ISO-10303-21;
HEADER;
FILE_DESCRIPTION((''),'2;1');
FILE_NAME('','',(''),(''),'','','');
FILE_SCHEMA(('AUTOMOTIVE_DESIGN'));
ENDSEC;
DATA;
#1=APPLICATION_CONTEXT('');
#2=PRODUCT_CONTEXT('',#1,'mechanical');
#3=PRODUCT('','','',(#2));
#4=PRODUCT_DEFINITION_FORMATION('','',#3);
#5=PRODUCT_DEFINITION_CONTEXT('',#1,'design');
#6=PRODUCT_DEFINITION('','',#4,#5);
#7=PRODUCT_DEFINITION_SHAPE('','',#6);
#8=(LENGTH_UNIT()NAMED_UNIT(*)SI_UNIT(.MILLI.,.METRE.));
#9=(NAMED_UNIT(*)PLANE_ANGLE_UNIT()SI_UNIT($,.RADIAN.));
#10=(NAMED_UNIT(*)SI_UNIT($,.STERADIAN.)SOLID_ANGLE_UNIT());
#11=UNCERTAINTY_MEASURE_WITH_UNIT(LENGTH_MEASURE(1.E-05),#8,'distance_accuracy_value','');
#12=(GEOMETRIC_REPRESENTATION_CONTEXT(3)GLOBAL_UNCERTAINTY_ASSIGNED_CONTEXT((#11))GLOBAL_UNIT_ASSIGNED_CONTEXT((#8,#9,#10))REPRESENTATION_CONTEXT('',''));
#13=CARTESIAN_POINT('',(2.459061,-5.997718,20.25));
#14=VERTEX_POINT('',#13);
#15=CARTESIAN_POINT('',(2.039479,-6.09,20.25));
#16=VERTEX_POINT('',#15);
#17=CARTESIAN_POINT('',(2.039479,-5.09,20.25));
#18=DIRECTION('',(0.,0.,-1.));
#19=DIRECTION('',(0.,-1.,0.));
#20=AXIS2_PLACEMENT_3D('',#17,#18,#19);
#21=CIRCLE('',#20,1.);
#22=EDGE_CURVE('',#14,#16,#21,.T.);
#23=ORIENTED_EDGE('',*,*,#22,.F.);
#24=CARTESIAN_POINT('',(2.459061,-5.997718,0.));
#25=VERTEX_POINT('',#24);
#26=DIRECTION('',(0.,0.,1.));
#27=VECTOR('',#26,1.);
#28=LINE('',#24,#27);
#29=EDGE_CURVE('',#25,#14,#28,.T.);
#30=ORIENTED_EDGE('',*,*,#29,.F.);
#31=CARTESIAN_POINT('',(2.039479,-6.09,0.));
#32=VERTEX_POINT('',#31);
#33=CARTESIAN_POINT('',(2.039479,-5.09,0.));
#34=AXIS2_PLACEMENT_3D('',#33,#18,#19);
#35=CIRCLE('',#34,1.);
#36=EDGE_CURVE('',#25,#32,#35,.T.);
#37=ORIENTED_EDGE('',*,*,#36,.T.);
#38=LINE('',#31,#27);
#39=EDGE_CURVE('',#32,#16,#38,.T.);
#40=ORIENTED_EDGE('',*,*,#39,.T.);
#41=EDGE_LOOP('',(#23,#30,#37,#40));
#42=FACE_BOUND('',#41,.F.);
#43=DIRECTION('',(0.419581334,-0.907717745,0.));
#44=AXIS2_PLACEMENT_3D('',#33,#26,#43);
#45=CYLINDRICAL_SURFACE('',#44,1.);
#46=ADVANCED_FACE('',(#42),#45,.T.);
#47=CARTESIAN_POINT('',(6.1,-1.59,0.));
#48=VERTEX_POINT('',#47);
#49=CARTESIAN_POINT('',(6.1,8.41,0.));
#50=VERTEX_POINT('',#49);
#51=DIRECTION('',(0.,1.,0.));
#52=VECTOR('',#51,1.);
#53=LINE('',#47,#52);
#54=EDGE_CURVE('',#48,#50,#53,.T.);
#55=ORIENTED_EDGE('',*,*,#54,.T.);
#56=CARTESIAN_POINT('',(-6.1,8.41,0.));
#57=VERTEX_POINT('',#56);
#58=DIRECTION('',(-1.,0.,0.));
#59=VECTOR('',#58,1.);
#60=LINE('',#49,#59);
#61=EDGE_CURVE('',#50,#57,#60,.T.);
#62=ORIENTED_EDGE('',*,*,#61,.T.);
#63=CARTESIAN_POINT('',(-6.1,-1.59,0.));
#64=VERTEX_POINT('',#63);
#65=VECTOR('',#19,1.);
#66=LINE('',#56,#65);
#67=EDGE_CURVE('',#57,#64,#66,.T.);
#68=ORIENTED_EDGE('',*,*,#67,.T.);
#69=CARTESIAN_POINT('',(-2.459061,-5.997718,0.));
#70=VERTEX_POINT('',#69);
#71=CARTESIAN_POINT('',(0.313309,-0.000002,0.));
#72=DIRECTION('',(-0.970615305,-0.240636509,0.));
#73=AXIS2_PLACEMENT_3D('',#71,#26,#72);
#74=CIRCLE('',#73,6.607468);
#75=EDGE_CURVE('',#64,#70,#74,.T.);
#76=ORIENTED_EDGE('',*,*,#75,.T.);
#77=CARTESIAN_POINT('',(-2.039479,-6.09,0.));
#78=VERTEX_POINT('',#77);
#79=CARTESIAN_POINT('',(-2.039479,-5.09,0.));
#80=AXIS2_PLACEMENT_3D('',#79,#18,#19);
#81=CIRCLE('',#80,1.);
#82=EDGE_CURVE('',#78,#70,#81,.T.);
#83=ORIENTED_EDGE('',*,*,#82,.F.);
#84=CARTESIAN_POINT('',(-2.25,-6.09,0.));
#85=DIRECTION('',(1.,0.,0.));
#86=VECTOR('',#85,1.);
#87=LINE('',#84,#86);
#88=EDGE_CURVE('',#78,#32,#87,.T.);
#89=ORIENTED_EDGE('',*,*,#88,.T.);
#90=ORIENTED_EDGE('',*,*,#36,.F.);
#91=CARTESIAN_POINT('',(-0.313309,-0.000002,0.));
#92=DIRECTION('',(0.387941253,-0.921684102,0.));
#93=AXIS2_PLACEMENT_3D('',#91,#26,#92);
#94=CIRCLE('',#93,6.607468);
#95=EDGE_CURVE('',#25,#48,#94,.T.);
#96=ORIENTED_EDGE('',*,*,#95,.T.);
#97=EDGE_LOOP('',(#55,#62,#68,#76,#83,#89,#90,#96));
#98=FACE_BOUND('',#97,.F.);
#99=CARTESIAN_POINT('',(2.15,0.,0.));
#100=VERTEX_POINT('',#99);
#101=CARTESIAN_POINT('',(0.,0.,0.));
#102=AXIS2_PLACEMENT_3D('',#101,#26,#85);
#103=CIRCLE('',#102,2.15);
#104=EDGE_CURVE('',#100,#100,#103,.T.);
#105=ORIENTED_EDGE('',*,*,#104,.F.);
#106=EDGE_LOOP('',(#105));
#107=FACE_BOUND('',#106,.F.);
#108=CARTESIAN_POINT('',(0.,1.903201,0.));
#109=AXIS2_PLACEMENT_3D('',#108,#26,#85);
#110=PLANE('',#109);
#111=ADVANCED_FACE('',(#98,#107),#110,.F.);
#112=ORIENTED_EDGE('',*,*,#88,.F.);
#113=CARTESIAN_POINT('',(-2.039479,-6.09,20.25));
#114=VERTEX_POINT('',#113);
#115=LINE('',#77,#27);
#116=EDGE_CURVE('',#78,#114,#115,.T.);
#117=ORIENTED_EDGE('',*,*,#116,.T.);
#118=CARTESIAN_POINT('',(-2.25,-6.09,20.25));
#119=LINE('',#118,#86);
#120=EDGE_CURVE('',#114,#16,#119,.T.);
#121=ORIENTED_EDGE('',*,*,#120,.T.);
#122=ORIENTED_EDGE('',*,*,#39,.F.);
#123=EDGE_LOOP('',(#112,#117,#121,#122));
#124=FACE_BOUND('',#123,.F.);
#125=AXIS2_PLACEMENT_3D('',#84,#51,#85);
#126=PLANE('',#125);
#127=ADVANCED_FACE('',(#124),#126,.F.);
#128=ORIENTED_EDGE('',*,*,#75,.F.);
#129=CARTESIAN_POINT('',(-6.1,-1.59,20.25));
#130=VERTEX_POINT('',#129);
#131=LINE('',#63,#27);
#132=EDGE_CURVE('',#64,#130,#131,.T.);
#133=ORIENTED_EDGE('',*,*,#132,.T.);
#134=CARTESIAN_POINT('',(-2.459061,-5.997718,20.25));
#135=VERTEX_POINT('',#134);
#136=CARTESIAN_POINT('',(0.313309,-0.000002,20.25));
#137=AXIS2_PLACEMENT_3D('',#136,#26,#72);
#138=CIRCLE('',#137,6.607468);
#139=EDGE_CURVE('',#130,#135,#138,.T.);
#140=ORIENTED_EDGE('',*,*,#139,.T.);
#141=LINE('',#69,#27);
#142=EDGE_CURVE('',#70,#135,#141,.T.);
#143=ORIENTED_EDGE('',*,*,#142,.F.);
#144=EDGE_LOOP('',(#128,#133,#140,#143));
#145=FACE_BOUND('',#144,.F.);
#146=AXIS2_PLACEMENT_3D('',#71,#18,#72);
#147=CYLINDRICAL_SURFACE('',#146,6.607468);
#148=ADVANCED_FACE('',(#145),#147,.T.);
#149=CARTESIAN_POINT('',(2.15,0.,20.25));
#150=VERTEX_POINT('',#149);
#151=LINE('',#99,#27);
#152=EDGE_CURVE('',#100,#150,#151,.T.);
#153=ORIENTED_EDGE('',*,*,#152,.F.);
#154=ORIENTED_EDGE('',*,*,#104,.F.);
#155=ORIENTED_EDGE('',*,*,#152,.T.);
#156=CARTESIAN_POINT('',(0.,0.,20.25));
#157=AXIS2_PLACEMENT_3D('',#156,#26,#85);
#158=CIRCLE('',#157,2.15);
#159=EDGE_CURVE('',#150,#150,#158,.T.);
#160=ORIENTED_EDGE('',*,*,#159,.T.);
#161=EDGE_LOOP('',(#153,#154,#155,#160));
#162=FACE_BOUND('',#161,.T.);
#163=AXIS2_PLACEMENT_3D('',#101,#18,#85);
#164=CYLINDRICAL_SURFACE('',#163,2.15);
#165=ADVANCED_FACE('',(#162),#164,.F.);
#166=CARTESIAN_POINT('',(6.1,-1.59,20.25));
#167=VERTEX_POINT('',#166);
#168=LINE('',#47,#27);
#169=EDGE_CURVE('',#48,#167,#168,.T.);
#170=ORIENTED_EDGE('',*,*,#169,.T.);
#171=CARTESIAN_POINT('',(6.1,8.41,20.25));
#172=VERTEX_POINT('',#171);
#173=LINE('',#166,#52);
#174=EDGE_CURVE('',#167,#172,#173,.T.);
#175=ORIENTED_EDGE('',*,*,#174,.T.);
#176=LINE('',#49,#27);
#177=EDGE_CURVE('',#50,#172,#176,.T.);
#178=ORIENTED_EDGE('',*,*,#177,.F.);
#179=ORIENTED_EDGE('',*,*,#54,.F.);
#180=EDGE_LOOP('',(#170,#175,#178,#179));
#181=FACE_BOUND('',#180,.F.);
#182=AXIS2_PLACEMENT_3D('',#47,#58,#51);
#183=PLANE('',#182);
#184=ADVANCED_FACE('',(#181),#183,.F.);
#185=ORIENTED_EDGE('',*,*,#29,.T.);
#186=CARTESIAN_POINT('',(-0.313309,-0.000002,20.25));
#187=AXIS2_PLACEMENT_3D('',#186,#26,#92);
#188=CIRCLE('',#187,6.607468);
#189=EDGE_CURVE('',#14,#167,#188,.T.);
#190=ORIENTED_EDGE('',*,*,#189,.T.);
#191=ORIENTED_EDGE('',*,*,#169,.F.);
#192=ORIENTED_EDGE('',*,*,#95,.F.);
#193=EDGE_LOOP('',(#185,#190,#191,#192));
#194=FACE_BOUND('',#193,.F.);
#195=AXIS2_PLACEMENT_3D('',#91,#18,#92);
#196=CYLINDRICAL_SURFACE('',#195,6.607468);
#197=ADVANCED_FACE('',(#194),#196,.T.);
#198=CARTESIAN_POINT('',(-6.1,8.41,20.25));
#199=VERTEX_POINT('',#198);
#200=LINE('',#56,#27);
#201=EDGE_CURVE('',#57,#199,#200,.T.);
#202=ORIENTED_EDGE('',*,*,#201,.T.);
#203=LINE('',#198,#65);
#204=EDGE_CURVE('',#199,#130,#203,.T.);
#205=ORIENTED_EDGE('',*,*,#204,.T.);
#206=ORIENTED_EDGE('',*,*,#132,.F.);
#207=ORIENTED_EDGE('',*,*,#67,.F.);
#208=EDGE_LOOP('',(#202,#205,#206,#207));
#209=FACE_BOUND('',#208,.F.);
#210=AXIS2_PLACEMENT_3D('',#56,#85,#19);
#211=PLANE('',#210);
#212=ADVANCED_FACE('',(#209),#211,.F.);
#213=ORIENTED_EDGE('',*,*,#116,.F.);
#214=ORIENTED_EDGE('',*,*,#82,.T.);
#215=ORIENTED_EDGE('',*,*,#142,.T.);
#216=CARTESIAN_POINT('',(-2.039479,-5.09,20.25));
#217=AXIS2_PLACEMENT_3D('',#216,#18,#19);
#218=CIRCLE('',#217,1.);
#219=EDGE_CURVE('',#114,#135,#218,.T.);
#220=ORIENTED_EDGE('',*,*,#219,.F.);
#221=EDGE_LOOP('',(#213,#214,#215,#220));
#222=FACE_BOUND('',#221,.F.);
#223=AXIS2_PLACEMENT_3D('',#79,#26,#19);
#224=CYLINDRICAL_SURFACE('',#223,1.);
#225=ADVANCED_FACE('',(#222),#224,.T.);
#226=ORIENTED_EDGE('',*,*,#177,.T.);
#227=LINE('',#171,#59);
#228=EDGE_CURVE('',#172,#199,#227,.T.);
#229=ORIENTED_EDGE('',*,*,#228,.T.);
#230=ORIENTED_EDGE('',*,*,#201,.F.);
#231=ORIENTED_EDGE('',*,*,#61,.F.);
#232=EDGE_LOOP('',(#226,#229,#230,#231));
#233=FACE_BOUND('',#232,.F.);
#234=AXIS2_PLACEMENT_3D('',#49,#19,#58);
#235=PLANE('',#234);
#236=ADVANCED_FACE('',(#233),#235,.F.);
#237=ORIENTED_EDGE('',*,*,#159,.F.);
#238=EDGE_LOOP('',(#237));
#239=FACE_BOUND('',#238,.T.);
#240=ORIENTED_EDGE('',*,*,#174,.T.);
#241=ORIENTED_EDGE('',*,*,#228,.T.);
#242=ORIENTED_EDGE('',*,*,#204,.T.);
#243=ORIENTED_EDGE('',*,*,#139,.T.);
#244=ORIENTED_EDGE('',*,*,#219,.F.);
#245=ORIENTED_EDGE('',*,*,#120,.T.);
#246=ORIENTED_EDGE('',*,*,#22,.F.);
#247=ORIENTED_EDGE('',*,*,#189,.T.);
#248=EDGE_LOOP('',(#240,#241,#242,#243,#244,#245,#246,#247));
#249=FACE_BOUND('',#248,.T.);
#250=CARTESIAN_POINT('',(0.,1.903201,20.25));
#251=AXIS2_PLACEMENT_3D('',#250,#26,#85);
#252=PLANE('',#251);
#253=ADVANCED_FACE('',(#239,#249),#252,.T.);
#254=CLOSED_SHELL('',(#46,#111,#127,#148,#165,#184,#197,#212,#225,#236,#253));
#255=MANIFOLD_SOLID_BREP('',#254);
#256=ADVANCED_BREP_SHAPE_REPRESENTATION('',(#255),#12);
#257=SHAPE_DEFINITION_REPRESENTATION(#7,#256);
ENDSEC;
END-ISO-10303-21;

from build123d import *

# Parameters (mm, degrees)
F0_R     = 2.15
F1_DEPTH = 20.25
F2_R     = 1


with BuildPart() as f1:
    # F0 (on Top) → F1 (new body)
    with BuildSketch(Plane.XY):
        with BuildLine():
            Line((6.1, -1.59), (6.1, 8.41))
            Line((6.1, 8.41), (-6.1, 8.41))
            Line((-6.1, 8.41), (-6.1, -1.59))
            ThreePointArc((-6.1, -1.59), (-4.70739, -4.295489), (-2.25, -6.09))
            Line((-2.25, -6.09), (0, -6.09))
            Line((0, -6.09), (2.25, -6.09))
            ThreePointArc((2.25, -6.09), (4.70739, -4.295489), (6.1, -1.59))
        make_face()
        Circle(F0_R, mode=Mode.SUBTRACT)
    extrude(amount=F1_DEPTH)

    # F2
    f2_edges = [f1.edges().sort_by_distance(p)[0] for p in [
        (-2.25, -6.09, 10.125),
        (2.25, -6.09, 10.125),
    ]]
    fillet(f2_edges, radius=F2_R)


solid = f1.part
